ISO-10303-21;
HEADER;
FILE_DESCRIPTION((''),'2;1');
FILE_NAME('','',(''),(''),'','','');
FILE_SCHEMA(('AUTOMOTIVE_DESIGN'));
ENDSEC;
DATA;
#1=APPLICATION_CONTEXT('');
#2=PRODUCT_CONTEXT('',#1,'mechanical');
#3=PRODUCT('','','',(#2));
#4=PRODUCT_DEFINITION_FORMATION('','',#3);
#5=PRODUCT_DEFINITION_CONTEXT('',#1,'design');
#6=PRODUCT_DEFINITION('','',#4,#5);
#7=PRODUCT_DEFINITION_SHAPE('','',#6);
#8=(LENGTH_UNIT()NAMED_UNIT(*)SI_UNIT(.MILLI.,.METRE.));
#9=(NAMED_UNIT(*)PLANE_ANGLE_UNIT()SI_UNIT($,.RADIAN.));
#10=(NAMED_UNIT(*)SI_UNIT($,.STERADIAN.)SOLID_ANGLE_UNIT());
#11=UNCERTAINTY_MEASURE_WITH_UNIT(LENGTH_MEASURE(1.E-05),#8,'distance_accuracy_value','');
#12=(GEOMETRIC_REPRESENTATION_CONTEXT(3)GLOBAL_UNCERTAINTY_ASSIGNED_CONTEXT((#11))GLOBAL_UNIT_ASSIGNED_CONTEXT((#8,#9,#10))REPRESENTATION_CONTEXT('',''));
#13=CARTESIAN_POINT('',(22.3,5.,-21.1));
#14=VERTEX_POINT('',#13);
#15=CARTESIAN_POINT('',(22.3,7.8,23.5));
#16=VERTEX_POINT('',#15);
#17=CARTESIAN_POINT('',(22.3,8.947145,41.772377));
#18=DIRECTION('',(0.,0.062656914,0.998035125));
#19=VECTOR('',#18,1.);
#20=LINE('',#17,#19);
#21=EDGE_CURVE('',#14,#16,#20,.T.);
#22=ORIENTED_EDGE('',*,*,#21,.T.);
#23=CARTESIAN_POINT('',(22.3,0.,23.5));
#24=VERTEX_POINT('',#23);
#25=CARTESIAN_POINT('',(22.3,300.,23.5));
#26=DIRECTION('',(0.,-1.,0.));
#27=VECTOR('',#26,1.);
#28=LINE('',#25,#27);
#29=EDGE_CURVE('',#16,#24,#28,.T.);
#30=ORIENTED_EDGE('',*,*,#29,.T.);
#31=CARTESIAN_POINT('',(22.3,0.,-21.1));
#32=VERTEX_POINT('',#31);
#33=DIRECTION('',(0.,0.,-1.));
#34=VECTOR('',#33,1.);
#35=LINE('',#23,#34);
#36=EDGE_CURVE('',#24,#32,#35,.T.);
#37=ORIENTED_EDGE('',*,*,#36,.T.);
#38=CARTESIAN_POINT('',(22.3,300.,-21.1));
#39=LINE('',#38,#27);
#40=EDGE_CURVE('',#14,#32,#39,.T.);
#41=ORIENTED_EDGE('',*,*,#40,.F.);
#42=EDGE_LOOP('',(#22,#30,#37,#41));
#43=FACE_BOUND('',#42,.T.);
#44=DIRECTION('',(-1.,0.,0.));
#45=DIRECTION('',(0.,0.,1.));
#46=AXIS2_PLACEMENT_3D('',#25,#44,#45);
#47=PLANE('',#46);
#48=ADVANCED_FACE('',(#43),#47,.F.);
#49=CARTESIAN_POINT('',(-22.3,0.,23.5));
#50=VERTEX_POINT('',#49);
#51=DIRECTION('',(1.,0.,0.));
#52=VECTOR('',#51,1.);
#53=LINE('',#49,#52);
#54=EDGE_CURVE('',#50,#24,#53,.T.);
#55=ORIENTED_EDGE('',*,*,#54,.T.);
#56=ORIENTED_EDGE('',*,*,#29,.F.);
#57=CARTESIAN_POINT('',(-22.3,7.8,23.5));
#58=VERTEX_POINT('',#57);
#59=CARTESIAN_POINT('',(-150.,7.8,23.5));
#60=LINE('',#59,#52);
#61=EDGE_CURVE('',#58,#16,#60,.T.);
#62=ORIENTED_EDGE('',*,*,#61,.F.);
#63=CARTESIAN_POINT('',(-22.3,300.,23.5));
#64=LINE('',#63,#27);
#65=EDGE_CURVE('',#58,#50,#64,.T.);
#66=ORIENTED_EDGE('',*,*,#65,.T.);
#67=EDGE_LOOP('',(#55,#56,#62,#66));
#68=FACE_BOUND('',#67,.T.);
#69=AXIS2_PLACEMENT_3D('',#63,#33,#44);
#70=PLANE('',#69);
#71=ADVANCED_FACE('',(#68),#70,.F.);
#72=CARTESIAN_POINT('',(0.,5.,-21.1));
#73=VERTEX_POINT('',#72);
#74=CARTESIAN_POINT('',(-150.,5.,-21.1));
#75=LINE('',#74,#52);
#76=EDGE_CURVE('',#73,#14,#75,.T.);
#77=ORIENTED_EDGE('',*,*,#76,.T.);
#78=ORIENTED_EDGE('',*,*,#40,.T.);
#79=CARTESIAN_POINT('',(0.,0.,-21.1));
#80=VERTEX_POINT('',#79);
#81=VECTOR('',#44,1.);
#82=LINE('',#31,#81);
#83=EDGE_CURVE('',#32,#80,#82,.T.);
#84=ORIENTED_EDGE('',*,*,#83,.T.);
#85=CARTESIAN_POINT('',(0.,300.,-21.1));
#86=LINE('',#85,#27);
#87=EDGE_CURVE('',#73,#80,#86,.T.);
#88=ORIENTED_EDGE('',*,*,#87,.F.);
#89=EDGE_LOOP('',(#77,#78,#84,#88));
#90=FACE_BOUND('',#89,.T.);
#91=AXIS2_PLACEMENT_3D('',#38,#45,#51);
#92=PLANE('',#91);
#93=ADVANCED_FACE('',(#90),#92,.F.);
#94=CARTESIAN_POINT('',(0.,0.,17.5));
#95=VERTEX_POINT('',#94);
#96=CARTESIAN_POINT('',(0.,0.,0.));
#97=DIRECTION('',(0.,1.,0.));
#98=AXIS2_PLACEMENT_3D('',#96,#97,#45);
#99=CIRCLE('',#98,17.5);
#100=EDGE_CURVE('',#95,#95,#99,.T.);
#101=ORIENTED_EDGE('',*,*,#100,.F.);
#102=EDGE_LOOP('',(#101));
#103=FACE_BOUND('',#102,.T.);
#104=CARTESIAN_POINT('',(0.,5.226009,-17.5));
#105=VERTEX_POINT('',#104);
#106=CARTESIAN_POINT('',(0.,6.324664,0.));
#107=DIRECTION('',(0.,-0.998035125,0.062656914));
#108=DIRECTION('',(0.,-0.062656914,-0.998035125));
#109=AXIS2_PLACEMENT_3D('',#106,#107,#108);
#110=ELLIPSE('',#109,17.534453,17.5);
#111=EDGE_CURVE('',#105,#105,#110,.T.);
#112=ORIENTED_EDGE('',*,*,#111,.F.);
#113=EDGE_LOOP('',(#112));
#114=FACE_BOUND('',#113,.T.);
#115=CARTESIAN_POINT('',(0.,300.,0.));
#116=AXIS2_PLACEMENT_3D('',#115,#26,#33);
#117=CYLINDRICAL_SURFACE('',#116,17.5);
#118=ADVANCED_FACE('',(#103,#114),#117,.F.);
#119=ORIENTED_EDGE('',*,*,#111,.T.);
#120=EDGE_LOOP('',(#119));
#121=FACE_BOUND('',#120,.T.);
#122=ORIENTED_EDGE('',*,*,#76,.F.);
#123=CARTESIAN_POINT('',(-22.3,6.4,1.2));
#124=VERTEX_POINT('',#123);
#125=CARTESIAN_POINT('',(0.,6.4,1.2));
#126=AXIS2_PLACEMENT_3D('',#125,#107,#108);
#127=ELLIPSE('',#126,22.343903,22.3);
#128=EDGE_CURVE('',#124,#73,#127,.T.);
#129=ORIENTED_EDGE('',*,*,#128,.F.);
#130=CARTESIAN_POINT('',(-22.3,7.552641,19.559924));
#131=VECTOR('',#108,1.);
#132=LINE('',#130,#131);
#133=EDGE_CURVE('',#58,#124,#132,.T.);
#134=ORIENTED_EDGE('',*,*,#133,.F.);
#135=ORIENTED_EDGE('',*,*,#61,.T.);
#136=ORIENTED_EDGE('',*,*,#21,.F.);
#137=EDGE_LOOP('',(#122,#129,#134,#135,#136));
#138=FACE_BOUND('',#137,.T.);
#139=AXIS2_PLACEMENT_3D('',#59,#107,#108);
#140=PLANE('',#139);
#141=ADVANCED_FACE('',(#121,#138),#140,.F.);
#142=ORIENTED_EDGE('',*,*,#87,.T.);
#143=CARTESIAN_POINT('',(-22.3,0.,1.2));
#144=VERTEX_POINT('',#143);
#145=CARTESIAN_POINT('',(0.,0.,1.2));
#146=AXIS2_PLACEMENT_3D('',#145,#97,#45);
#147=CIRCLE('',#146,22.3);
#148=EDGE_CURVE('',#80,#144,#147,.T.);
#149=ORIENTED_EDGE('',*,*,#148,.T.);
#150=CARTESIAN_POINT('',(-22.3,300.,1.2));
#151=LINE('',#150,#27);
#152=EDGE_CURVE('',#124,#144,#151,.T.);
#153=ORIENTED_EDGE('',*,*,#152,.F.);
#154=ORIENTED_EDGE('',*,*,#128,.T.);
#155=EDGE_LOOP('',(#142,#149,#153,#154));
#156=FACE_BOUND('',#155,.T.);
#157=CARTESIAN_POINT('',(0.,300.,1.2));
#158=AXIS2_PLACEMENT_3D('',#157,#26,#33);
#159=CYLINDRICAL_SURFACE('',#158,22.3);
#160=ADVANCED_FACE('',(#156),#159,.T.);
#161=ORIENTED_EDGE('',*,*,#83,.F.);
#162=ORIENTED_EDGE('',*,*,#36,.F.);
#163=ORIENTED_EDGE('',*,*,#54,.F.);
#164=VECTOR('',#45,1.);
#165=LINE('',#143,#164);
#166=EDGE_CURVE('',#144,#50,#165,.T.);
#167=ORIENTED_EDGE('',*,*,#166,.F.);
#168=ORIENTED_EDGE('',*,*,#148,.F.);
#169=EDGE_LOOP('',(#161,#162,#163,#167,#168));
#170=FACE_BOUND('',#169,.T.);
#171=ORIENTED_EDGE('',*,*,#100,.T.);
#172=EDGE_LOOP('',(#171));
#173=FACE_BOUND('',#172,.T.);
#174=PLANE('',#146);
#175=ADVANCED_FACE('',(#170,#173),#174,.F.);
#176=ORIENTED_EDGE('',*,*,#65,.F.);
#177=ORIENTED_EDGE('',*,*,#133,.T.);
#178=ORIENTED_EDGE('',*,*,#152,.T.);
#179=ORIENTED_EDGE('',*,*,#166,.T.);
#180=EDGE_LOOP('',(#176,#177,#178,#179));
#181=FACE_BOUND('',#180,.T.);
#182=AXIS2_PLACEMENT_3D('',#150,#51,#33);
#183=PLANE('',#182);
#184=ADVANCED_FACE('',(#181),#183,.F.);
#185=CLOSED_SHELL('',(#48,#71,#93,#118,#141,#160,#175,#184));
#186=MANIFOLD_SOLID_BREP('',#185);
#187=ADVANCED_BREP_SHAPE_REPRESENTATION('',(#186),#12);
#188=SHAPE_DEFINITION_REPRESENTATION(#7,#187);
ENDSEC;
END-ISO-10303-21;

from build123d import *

# Parameters (mm, degrees)
SKETCH1_R           = 17.5
BOSS_EXTRUDE1_DEPTH = 300
CUT_EXTRUDE1_DEPTH  = 150


with BuildPart() as part:
    # Sketch1 → Boss-Extrude1 (new body)
    with BuildSketch(Plane(origin=(0, 0, 0), x_dir=(1, 0, 0), z_dir=(0, 1, 0))):
        with BuildLine():
            Line((-22.3, -23.5), (22.3, -23.5))
            Line((22.3, -23.5), (22.3, 21.1))
            Line((22.3, 21.1), (0, 21.1))
            ThreePointArc((0, 21.1), (-15.76848122, 14.56848122), (-22.3, -1.2))
            Line((-22.3, -1.2), (-22.3, -23.5))
        make_face()
        Circle(SKETCH1_R, mode=Mode.SUBTRACT)
    extrude(amount=BOSS_EXTRUDE1_DEPTH)

    # Sketch2 → Cut-Extrude1 (cut, symmetric)
    with BuildSketch(Plane(origin=(0, 0, 0), x_dir=(0, 0, -1), z_dir=(1, 0, 0))):
        Polygon((-23.5, 7.8), (21.1, 5), (89.895743618, 5), (89.895743618, 331.939309381), (-23.5, 331.939309381), align=None)
    extrude(amount=CUT_EXTRUDE1_DEPTH, both=True, mode=Mode.SUBTRACT)


solid = part.part
